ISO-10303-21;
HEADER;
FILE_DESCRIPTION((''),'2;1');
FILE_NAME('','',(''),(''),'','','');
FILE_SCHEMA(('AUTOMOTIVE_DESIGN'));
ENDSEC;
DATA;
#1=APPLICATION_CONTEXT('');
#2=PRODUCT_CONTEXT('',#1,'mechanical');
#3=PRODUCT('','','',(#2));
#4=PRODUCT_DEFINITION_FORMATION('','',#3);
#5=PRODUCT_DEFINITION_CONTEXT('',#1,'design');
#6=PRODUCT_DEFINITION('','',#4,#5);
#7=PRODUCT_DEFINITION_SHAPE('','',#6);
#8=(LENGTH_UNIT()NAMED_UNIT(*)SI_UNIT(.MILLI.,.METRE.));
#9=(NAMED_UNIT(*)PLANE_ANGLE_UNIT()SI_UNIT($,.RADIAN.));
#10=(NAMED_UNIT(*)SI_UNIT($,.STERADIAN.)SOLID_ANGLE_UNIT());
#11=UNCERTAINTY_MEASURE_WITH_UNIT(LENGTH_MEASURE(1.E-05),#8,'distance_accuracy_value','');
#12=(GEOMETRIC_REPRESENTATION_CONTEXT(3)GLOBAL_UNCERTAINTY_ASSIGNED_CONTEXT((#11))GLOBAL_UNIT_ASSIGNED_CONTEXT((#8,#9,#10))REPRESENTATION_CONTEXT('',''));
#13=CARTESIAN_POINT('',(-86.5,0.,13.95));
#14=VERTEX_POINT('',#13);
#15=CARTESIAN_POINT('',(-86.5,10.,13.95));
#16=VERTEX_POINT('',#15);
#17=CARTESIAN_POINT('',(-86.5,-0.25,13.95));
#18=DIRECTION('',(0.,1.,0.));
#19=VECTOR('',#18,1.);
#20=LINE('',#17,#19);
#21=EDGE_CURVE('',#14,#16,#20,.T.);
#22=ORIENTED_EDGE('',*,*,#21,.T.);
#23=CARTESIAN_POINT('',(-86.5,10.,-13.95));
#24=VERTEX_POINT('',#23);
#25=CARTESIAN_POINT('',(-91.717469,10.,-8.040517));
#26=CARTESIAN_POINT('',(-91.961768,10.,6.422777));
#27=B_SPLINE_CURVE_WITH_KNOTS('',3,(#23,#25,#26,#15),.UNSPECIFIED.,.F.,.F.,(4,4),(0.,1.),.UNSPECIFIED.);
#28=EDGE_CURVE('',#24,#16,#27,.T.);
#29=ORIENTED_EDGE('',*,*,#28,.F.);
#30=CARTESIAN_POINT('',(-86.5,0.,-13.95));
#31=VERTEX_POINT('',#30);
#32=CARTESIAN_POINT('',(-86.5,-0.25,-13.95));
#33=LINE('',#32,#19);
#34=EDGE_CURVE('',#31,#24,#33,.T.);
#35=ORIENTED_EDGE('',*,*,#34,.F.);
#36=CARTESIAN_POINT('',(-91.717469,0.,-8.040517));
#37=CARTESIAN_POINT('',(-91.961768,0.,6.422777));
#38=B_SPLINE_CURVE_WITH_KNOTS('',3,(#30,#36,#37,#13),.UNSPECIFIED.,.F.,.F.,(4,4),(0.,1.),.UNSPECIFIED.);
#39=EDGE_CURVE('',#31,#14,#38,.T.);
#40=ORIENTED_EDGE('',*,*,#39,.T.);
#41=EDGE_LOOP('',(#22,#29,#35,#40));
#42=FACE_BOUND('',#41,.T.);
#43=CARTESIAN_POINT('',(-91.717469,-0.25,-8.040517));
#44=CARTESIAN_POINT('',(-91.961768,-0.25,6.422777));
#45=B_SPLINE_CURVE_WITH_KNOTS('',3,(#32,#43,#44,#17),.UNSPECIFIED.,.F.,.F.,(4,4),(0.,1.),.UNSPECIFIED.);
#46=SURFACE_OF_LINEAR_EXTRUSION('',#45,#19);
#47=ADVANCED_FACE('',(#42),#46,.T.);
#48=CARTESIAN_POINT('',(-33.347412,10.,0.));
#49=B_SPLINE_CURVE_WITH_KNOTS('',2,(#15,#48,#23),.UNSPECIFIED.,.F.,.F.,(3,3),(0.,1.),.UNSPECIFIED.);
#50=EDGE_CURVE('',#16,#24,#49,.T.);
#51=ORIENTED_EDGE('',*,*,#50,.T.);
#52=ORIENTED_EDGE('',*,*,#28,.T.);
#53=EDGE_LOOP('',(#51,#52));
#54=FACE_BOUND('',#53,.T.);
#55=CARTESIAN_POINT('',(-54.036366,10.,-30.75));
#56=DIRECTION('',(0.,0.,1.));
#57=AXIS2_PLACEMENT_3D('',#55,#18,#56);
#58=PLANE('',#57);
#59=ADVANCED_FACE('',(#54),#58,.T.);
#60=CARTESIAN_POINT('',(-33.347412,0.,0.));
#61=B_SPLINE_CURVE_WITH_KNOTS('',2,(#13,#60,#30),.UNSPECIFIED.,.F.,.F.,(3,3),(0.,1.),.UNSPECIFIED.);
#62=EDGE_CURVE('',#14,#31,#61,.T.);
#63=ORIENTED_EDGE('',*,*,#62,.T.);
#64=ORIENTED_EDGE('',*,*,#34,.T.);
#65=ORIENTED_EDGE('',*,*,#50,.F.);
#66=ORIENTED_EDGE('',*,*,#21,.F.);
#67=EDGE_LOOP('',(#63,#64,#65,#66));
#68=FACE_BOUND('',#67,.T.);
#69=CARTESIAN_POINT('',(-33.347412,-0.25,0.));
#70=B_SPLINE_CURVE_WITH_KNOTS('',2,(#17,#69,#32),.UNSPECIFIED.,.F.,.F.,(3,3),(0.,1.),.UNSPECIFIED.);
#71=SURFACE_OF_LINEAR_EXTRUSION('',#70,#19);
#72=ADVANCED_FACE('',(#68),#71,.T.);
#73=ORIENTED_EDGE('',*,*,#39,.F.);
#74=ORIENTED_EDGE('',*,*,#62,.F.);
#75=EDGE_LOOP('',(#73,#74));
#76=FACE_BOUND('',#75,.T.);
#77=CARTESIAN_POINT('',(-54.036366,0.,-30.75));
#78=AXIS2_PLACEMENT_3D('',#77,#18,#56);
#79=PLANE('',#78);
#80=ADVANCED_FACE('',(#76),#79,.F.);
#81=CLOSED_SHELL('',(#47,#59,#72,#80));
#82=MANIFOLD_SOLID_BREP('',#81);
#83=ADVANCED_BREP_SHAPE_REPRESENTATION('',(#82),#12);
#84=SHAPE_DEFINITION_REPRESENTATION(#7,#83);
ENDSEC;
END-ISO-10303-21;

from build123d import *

# Parameters (mm, degrees)
BOSS_EXTRUDE1_DEPTH = 10
SKETCH5_W           = 190.665965361
SKETCH5_H           = 98.914857752
CUT_EXTRUDE2_DEPTH  = 131.512395512
SKETCH3_W           = 187.034733152
SKETCH3_H           = 91.693908175
CUT_EXTRUDE1_DEPTH  = 125.356356188


with BuildPart() as part:
    # Sketch2 → Boss-Extrude1 (new body)
    with BuildSketch(Plane(origin=(0, 0, 0), x_dir=(1, 0, 0), z_dir=(0, 1, 0))):
        with BuildLine():
            Line((-26, 24.3), (0, 24.3))
            add(Edge.make_bspline(
                [(0, 24.3), (20.683832289, 24.384713811), (29.8, 14.098961604), (29.8, 0)],
                knots=[0, 0, 0, 0, 1, 1, 1, 1], degree=3))
            add(Edge.make_bspline(
                [(29.8, 0), (29.8, -15.903385672), (12.793782652, -19.673675204), (0, -22.5)],
                knots=[0, 0, 0, 0, 1, 1, 1, 1], degree=3))
            add(Edge.make_bspline(
                [(-86.5, -27.9), (-58.742591927, -27.9), (0, -22.5)],
                knots=[0, 0, 0, 1, 1, 1], degree=2))
            add(Edge.make_bspline(
                [(-124.6, 11.6), (-126.645501882, -15.929564791), (-96.169164371, -28.458925346), (-86.5, -27.9)],
                knots=[0, 0, 0, 0, 1, 1, 1, 1], degree=3))
            add(Edge.make_bspline(
                [(-86.5, 37.2), (-111.583343569, 37.2), (-124.6, 21.145918181), (-124.6, 11.6)],
                knots=[0, 0, 0, 0, 1, 1, 1, 1], degree=3))
            add(Edge.make_bspline(
                [(-26, 24.3), (-46.37360759, 24.3), (-60.223367409, 37.2), (-86.5, 37.2)],
                knots=[0, 0, 0, 0, 1, 1, 1, 1], degree=3))
        make_face()
    extrude(amount=BOSS_EXTRUDE1_DEPTH)

    # Sketch5 → Cut-Extrude2 (cut, through all)
    with BuildSketch(Plane(origin=(0, 10, 0), x_dir=(1, 0, 0), z_dir=(0, 1, 0))):
        with Locations((-37.807166851, 5.712427693)):
            Rectangle(SKETCH5_W, SKETCH5_H)
        with BuildLine():
            Line((0, 19.3), (-26, 19.3))
            add(Edge.make_bspline(
                [(-26, 19.3), (-28.614389566, 19.3), (-31.195480065, 19.494126305), (-36.299918034, 20.219008193), (-38.823236595, 20.749932309), (-43.82844627, 22.053293526), (-46.31311575, 22.826190042), (-51.244397222, 24.470393512), (-53.69402913, 25.341112046), (-58.607069123, 27.040712597), (-61.070722849, 27.868848632), (-64.806301572, 28.989279687), (-66.059451522, 29.343006622), (-68.572193461, 29.996166113), (-69.832412317, 30.295833479), (-73.626302931, 31.102275727), (-76.173387066, 31.51524352), (-81.307214737, 32.063798503), (-83.893870441, 32.2), (-86.5, 32.2)],
                knots=[0, 0, 0, 0, 0.125, 0.125, 0.25, 0.25, 0.375, 0.375, 0.5, 0.5, 0.625, 0.625, 0.6875, 0.6875, 0.75, 0.75, 0.875, 0.875, 1, 1, 1, 1], degree=3))
            add(Edge.make_bspline(
                [(-86.5, 32.2), (-90.047671723, 32.2), (-93.539315109, 31.853363621), (-97.818101716, 30.88944061), (-98.669522164, 30.669824618), (-100.363040922, 30.17291839), (-101.207876089, 29.89460231), (-103.707194596, 28.9730152), (-105.314538731, 28.24898707), (-108.402461221, 26.564840966), (-109.885156962, 25.604040465), (-112.695415045, 23.412360835), (-113.989352092, 22.209304545), (-115.736354807, 20.217749989), (-116.286105675, 19.522480074), (-117.307591473, 18.056713662), (-117.771937921, 17.297113036), (-118.380597746, 16.112260348), (-118.568848857, 15.709499136), (-118.910400222, 14.885324985), (-119.063856456, 14.46298862), (-119.32099023, 13.612441675), (-119.425833719, 13.182501201), (-119.534502641, 12.528030347), (-119.56255262, 12.308265558), (-119.588853411, 11.975515189), (-119.594973106, 11.86407762), (-119.600932982, 11.639967141), (-119.6, 11.527142129), (-119.6, 11.414500659)],
                knots=[0, 0, 0, 0, 0.25, 0.25, 0.3125, 0.3125, 0.375, 0.375, 0.5, 0.5, 0.625, 0.625, 0.75, 0.75, 0.8125, 0.8125, 0.875, 0.875, 0.90625, 0.90625, 0.9375, 0.9375, 0.96875, 0.96875, 0.984375, 0.984375, 0.9921875, 0.9921875, 1, 1, 1, 1], degree=3))
            add(Edge.make_bspline(
                [(-119.6, 11.414500659), (-119.620469876, 11.139005048), (-119.640012507, 10.863585734), (-119.66949801, 10.313536999), (-119.702590259, 9.489380197), (-119.701746238, 8.668015761), (-119.653311171, 7.029133356), (-119.558725583, 5.941670929), (-119.316814989, 4.318708201), (-119.219497862, 3.779093122), (-118.990298597, 2.702707063), (-118.857842254, 2.164001324), (-118.411370332, 0.568296748), (-118.049576648, -0.466050211), (-117.204822005, -2.479103419), (-116.721870667, -3.457814087), (-115.911016092, -4.886192051), (-115.626316263, -5.355698602), (-115.028686616, -6.281748331), (-114.715117794, -6.739029825), (-113.098128241, -8.967198862), (-111.636582687, -10.586754888), (-109.243370012, -12.821144966), (-108.411754958, -13.533067597), (-107.116844881, -14.554870601), (-106.676456633, -14.888333255), (-105.787025552, -15.535321816), (-105.337421344, -15.84934205), (-103.066112758, -17.374312871), (-101.175798147, -18.452299517), (-98.237583629, -19.870168351), (-97.240844592, -20.309198302), (-95.209999189, -21.114841784), (-94.174615133, -21.48224539), (-92.064314636, -22.126795927), (-91.001033475, -22.402007075), (-89.387886633, -22.70933152), (-88.84713932, -22.794224632), (-88.028751145, -22.879499568), (-87.754740398, -22.90089357), (-87.340882626, -22.916536257), (-87.202453029, -22.918989427), (-86.924204685, -22.915854968), (-86.784006393, -22.908070411), (-86.64375233, -22.899963035)],
                knots=[0, 0, 0, 0, 0.015625, 0.015625, 0.03125, 0.0625, 0.0625, 0.125, 0.125, 0.15625, 0.15625, 0.1875, 0.1875, 0.25, 0.25, 0.3125, 0.3125, 0.34375, 0.34375, 0.375, 0.375, 0.5, 0.5, 0.5625, 0.5625, 0.59375, 0.59375, 0.625, 0.625, 0.75, 0.75, 0.8125, 0.8125, 0.875, 0.875, 0.9375, 0.9375, 0.96875, 0.96875, 0.984375, 0.984375, 0.9921875, 0.9921875, 1, 1, 1, 1], degree=3))
            add(Edge.make_bspline(
                [(-86.64375233, -22.899963035), (-83.051721737, -22.901813131), (-79.463866007, -22.836654879), (-72.292852573, -22.630933055), (-68.709770334, -22.489158228), (-57.965349536, -21.986375675), (-50.808741052, -21.549448214), (-36.50252062, -20.563295893), (-29.353030187, -20.012120654), (-15.058799553, -18.833526914), (-7.914092044, -18.205583695), (-0.771119947, -17.549786375)],
                knots=[0, 0, 0, 0, 0.125, 0.125, 0.25, 0.25, 0.5, 0.5, 0.75, 0.75, 1, 1, 1, 1], degree=3))
            add(Edge.make_bspline(
                [(-0.771119947, -17.549786375), (1.963321139, -16.94544861), (4.695341149, -16.33357579), (8.730024902, -15.218615637), (10.064478195, -14.814466089), (12.699729823, -13.90142355), (14.000796007, -13.393364173), (15.911888282, -12.505206219), (16.542091865, -12.187905528), (17.784402153, -11.496981701), (18.391917697, -11.125662576), (19.559410174, -10.32463286), (20.121164342, -9.894098151), (20.920538613, -9.18924898), (21.180682911, -8.943393186), (21.678462153, -8.434660622), (21.916135354, -8.171907904), (22.59259098, -7.356311131), (22.994745994, -6.776081028), (23.513123046, -5.842290056), (23.671822244, -5.519779327), (23.953566298, -4.86813842), (24.077688222, -4.537273262), (24.402854637, -3.53046254), (24.556745878, -2.840315617), (24.755950633, -1.42732092), (24.8, -0.714331591), (24.8, 0)],
                knots=[0, 0, 0, 0, 0.25, 0.25, 0.375, 0.375, 0.5, 0.5, 0.5625, 0.5625, 0.625, 0.625, 0.6875, 0.6875, 0.71875, 0.71875, 0.75, 0.75, 0.8125, 0.8125, 0.84375, 0.84375, 0.875, 0.875, 0.9375, 0.9375, 1, 1, 1, 1], degree=3))
            add(Edge.make_bspline(
                [(24.8, 0), (24.800001574, 1.499794527), (24.679867583, 2.978315628), (24.270262238, 5.1554747), (24.095205029, 5.874372955), (23.764785291, 6.940708409), (23.64330548, 7.294145508), (23.375491288, 7.996618496), (23.229208001, 8.345127218), (22.758435322, 9.365838107), (22.399931747, 10.019031745), (21.589242675, 11.268187742), (21.136243882, 11.865038785), (19.63468306, 13.559968632), (18.489202915, 14.513686307), (16.909680401, 15.525653475), (16.58535259, 15.719500417), (15.929822317, 16.085938782), (15.598164332, 16.258912353), (14.592578593, 16.74990385), (13.908081512, 17.040104299), (12.515293354, 17.557881638), (11.806985872, 17.785415353), (10.369782811, 18.186296846), (9.638661479, 18.360025682), (7.436633609, 18.806009812), (5.959001697, 19.004489088), (2.98950105, 19.255065786), (1.497532001, 19.3061318), (0, 19.3)],
                knots=[0, 0, 0, 0, 0.125, 0.125, 0.1875, 0.1875, 0.21875, 0.21875, 0.25, 0.25, 0.3125, 0.3125, 0.375, 0.375, 0.5, 0.5, 0.53125, 0.53125, 0.5625, 0.5625, 0.625, 0.625, 0.6875, 0.6875, 0.75, 0.75, 0.875, 0.875, 1, 1, 1, 1], degree=3))
        make_face(mode=Mode.SUBTRACT)
    extrude(amount=-CUT_EXTRUDE2_DEPTH, mode=Mode.SUBTRACT)

    # Sketch3 → Cut-Extrude1 (cut, through all)
    with BuildSketch(Plane(origin=(0, 10, 0), x_dir=(1, 0, 0), z_dir=(0, 1, 0))):
        with Locations((-46.850156507, 4.799176489)):
            Rectangle(SKETCH3_W, SKETCH3_H)
        with BuildLine():
            add(Edge.make_bspline(
                [(-86.5, -13.95), (-91.961767729, -6.422776523), (-91.717468637, 8.040517078), (-86.5, 13.95)],
                knots=[0, 0, 0, 0, 1, 1, 1, 1], degree=3))
            add(Edge.make_bspline(
                [(-86.5, 13.95), (-33.347412006, 0), (-86.5, -13.95)],
                knots=[0, 0, 0, 1, 1, 1], degree=2))
        make_face(mode=Mode.SUBTRACT)
    extrude(amount=-CUT_EXTRUDE1_DEPTH, mode=Mode.SUBTRACT)


solid = part.part
